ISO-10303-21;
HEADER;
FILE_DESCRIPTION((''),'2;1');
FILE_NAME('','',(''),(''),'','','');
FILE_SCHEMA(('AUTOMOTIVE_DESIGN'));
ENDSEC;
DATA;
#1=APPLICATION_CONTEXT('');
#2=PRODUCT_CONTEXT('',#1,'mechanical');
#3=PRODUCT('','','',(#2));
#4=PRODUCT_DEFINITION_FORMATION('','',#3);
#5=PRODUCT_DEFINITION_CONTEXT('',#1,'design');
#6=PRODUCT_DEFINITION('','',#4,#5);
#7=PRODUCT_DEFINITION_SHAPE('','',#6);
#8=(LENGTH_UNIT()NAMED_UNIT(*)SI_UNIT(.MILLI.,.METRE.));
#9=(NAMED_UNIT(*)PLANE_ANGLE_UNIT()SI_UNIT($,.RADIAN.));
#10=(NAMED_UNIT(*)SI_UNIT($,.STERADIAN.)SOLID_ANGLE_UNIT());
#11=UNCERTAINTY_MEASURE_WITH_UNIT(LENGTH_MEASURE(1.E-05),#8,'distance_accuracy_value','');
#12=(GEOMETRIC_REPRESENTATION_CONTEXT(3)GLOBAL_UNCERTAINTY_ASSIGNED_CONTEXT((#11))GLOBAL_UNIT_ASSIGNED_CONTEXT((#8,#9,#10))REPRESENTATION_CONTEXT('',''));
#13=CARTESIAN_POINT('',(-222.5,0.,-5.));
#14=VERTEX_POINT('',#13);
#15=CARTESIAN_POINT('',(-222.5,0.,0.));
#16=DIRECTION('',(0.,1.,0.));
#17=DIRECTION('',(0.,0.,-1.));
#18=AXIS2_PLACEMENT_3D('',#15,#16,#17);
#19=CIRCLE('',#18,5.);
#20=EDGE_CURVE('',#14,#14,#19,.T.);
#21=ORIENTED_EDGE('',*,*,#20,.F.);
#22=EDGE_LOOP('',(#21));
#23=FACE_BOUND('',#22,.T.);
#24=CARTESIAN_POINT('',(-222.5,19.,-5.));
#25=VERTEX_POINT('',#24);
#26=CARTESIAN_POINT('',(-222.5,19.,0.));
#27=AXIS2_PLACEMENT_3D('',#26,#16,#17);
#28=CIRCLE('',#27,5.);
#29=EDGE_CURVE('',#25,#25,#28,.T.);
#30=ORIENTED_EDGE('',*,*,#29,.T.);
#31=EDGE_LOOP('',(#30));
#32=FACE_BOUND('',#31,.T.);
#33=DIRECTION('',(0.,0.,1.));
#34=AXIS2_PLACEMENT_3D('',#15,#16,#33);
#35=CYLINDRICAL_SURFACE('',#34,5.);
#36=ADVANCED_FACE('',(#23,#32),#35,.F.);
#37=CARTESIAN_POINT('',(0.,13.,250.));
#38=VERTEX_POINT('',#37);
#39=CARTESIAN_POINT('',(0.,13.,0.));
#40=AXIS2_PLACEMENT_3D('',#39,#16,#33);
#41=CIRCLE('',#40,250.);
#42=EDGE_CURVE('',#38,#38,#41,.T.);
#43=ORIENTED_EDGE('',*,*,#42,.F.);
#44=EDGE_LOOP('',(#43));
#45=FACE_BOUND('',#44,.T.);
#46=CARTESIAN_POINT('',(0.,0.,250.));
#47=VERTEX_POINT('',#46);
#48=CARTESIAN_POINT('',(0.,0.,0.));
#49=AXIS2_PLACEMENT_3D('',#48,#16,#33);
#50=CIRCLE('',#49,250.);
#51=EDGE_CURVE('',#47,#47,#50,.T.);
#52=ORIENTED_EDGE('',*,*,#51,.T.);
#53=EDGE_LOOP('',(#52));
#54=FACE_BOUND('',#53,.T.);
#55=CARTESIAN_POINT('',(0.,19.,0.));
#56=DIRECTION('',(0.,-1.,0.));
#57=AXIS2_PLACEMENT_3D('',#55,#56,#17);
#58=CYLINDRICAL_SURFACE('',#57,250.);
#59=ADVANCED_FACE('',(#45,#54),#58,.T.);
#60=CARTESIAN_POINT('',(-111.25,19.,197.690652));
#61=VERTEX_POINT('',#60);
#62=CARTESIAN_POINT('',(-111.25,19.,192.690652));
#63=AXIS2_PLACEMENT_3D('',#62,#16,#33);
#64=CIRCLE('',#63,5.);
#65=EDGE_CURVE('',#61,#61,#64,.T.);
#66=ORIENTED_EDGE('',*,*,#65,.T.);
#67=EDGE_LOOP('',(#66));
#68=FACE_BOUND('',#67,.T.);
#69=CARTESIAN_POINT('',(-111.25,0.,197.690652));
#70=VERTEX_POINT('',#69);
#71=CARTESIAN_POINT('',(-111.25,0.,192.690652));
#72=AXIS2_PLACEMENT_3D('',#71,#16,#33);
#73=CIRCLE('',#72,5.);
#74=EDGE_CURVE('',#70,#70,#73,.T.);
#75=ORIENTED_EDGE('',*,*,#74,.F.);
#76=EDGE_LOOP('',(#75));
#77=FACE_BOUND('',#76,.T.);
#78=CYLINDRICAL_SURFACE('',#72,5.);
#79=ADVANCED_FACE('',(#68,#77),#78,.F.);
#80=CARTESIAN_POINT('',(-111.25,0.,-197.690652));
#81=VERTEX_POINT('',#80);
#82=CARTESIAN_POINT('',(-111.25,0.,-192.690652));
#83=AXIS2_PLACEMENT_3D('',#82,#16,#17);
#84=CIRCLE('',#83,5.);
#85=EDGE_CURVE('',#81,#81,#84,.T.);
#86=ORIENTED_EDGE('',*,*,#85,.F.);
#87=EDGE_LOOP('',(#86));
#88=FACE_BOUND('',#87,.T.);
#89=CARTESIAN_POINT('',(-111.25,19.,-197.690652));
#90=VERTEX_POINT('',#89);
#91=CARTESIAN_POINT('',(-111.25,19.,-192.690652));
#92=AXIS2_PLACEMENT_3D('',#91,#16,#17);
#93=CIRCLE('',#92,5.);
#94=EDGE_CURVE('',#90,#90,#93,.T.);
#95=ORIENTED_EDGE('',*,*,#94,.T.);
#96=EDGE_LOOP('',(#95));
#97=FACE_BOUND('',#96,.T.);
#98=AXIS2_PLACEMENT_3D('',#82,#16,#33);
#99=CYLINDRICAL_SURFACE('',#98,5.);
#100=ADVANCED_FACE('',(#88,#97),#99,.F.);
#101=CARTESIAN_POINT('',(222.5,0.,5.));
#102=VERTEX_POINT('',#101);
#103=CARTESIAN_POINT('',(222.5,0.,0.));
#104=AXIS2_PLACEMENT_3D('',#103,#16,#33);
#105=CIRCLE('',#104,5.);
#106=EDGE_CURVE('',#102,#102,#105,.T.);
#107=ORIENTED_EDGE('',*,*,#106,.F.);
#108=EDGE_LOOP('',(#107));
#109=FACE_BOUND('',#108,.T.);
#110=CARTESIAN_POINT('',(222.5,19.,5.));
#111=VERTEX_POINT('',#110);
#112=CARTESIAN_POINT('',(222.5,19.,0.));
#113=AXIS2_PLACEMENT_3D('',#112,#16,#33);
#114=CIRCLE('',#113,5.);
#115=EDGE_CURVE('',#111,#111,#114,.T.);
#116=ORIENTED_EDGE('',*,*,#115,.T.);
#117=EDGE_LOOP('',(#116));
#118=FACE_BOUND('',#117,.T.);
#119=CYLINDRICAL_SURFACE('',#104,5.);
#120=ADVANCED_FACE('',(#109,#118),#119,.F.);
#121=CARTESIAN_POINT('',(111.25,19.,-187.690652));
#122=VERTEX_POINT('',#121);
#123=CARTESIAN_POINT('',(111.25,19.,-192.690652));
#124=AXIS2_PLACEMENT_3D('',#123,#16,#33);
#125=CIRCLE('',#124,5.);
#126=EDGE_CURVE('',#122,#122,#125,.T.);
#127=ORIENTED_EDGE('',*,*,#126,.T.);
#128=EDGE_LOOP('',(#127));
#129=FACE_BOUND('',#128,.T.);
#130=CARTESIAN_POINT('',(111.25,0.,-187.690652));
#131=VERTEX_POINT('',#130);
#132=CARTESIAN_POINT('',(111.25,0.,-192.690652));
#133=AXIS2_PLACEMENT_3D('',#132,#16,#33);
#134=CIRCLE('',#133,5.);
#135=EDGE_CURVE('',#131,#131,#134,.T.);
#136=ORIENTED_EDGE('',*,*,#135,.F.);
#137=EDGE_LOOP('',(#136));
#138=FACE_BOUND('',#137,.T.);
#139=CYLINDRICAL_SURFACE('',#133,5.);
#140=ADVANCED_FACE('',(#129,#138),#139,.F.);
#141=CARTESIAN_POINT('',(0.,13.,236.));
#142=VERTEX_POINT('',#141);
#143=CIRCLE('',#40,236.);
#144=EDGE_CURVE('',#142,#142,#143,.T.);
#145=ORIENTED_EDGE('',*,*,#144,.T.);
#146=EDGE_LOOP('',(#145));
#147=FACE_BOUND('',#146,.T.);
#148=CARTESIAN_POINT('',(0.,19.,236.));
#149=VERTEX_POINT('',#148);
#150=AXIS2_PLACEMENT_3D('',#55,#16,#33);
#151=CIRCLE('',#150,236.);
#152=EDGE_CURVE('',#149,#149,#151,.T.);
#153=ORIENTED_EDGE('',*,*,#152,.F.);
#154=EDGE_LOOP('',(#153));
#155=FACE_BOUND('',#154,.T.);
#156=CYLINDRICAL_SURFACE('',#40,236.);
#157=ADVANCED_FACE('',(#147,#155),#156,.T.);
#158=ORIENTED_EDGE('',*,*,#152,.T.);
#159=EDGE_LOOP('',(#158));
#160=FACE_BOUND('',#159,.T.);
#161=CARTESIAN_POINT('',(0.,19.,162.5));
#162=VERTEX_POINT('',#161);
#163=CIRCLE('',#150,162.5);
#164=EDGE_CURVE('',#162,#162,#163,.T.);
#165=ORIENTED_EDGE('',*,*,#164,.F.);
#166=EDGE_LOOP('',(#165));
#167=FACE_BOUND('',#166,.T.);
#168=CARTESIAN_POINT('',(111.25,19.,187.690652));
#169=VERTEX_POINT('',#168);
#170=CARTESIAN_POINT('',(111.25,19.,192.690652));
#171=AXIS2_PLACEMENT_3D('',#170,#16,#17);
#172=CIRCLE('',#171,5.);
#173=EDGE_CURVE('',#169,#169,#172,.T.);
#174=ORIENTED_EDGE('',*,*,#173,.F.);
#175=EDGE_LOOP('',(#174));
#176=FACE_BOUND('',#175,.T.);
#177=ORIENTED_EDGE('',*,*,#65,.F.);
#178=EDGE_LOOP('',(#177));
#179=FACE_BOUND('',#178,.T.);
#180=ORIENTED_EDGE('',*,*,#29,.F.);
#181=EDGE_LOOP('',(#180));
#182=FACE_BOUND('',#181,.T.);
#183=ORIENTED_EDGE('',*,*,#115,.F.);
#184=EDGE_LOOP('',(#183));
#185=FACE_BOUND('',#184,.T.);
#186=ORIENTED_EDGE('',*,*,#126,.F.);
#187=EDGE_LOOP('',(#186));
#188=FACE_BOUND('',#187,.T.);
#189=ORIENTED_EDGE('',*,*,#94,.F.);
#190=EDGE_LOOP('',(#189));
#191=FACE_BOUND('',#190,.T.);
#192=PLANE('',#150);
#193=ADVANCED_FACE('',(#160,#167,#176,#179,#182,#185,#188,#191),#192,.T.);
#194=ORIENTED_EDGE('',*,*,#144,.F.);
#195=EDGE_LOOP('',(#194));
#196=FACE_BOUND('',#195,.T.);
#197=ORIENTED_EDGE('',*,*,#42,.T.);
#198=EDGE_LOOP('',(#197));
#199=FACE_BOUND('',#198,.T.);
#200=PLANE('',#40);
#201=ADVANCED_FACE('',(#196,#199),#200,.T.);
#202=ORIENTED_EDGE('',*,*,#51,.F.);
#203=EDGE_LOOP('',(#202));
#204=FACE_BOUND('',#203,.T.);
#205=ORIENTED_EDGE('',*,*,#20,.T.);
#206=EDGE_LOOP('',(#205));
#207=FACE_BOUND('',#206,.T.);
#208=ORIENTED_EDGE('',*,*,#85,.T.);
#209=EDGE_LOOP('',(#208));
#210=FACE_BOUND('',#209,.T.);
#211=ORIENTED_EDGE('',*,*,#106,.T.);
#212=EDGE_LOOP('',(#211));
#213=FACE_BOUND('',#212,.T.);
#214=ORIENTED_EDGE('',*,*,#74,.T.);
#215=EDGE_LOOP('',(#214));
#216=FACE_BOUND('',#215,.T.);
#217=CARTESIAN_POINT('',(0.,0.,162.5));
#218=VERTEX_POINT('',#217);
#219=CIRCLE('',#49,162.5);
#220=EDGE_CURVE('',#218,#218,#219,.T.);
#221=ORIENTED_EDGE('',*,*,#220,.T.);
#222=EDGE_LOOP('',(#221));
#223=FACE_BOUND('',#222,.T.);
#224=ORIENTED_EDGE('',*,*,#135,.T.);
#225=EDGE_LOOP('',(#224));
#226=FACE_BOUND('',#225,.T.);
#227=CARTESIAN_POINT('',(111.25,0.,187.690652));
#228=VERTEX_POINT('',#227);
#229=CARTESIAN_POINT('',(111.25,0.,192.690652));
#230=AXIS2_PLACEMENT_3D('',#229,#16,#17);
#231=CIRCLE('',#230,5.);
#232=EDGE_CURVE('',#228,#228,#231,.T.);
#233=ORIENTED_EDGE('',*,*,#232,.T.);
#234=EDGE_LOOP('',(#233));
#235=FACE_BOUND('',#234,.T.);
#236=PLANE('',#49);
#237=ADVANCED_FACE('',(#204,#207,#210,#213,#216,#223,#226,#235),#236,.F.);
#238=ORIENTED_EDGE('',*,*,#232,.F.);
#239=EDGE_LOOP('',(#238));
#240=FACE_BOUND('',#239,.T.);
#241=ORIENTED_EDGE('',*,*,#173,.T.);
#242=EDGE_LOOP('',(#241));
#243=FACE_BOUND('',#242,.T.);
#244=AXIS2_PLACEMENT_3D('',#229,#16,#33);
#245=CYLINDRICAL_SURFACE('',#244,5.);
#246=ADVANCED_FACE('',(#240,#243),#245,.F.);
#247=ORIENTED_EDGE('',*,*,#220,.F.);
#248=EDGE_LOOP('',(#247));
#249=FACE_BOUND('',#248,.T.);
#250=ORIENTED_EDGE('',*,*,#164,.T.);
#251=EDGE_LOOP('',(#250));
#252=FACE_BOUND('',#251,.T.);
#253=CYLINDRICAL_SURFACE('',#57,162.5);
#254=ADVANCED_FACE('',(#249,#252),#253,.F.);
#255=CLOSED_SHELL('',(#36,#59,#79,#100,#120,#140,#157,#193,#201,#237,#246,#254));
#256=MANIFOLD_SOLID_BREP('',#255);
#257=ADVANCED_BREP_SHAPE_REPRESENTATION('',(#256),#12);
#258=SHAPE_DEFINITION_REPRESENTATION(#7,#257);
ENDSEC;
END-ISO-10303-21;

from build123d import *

# Parameters (mm, degrees)
SKETCH1_R           = 250
SKETCH1_R_2         = 162.5
BOSS_EXTRUDE1_DEPTH = 19
CUT_EXTRUDE1_START  = -6
SKETCH2_R           = 250
SKETCH2_R_2         = 236
CUT_EXTRUDE1_DEPTH  = 6
SKETCH3_R           = 5
CUT_EXTRUDE2_DEPTH  = 355.063553617


with BuildPart() as part:
    # Sketch1 → Boss-Extrude1 (new body)
    with BuildSketch(Plane(origin=(0, 0, 0), x_dir=(1, 0, 0), z_dir=(0, 1, 0))):
        with Locations(Location((0, 0, 0), (0, 0, 270))):
            Circle(SKETCH1_R)
        with Locations(Location((0, 0, 0), (0, 0, 270))):
            Circle(SKETCH1_R_2, mode=Mode.SUBTRACT)
    extrude(amount=BOSS_EXTRUDE1_DEPTH)

    # Sketch2 → Cut-Extrude1 (cut)
    with BuildSketch(Plane(origin=(0, 19, 0), x_dir=(1, 0, 0), z_dir=(0, 1, 0)).offset(CUT_EXTRUDE1_START)):
        with Locations(Location((0, 0, 0), (0, 0, 270))):
            Circle(SKETCH2_R)
        with Locations(Location((0, 0, 0), (0, 0, 270))):
            Circle(SKETCH2_R_2, mode=Mode.SUBTRACT)
    extrude(amount=CUT_EXTRUDE1_DEPTH, mode=Mode.SUBTRACT)

    # Sketch3 → Cut-Extrude2 (cut, through all)
    with BuildSketch(Plane(origin=(0, 19, 0), x_dir=(1, 0, 0), z_dir=(0, 1, 0))):
        with Locations(Location((111.25, 192.690652342, 0), (0, 0, 270))):
            Circle(SKETCH3_R)
        with Locations(Location((111.25, -192.690652342, 0), (0, 0, 90))):
            Circle(SKETCH3_R)
        with Locations(Location((-111.25, -192.690652342, 0), (0, 0, 270))):
            Circle(SKETCH3_R)
        with Locations(Location((222.5, 0, 0), (0, 0, 270))):
            Circle(SKETCH3_R)
        with Locations(Location((-111.25, 192.690652342, 0), (0, 0, 90))):
            Circle(SKETCH3_R)
        with Locations(Location((-222.5, 0, 0), (0, 0, 90))):
            Circle(SKETCH3_R)
    extrude(amount=-CUT_EXTRUDE2_DEPTH, mode=Mode.SUBTRACT)


solid = part.part
